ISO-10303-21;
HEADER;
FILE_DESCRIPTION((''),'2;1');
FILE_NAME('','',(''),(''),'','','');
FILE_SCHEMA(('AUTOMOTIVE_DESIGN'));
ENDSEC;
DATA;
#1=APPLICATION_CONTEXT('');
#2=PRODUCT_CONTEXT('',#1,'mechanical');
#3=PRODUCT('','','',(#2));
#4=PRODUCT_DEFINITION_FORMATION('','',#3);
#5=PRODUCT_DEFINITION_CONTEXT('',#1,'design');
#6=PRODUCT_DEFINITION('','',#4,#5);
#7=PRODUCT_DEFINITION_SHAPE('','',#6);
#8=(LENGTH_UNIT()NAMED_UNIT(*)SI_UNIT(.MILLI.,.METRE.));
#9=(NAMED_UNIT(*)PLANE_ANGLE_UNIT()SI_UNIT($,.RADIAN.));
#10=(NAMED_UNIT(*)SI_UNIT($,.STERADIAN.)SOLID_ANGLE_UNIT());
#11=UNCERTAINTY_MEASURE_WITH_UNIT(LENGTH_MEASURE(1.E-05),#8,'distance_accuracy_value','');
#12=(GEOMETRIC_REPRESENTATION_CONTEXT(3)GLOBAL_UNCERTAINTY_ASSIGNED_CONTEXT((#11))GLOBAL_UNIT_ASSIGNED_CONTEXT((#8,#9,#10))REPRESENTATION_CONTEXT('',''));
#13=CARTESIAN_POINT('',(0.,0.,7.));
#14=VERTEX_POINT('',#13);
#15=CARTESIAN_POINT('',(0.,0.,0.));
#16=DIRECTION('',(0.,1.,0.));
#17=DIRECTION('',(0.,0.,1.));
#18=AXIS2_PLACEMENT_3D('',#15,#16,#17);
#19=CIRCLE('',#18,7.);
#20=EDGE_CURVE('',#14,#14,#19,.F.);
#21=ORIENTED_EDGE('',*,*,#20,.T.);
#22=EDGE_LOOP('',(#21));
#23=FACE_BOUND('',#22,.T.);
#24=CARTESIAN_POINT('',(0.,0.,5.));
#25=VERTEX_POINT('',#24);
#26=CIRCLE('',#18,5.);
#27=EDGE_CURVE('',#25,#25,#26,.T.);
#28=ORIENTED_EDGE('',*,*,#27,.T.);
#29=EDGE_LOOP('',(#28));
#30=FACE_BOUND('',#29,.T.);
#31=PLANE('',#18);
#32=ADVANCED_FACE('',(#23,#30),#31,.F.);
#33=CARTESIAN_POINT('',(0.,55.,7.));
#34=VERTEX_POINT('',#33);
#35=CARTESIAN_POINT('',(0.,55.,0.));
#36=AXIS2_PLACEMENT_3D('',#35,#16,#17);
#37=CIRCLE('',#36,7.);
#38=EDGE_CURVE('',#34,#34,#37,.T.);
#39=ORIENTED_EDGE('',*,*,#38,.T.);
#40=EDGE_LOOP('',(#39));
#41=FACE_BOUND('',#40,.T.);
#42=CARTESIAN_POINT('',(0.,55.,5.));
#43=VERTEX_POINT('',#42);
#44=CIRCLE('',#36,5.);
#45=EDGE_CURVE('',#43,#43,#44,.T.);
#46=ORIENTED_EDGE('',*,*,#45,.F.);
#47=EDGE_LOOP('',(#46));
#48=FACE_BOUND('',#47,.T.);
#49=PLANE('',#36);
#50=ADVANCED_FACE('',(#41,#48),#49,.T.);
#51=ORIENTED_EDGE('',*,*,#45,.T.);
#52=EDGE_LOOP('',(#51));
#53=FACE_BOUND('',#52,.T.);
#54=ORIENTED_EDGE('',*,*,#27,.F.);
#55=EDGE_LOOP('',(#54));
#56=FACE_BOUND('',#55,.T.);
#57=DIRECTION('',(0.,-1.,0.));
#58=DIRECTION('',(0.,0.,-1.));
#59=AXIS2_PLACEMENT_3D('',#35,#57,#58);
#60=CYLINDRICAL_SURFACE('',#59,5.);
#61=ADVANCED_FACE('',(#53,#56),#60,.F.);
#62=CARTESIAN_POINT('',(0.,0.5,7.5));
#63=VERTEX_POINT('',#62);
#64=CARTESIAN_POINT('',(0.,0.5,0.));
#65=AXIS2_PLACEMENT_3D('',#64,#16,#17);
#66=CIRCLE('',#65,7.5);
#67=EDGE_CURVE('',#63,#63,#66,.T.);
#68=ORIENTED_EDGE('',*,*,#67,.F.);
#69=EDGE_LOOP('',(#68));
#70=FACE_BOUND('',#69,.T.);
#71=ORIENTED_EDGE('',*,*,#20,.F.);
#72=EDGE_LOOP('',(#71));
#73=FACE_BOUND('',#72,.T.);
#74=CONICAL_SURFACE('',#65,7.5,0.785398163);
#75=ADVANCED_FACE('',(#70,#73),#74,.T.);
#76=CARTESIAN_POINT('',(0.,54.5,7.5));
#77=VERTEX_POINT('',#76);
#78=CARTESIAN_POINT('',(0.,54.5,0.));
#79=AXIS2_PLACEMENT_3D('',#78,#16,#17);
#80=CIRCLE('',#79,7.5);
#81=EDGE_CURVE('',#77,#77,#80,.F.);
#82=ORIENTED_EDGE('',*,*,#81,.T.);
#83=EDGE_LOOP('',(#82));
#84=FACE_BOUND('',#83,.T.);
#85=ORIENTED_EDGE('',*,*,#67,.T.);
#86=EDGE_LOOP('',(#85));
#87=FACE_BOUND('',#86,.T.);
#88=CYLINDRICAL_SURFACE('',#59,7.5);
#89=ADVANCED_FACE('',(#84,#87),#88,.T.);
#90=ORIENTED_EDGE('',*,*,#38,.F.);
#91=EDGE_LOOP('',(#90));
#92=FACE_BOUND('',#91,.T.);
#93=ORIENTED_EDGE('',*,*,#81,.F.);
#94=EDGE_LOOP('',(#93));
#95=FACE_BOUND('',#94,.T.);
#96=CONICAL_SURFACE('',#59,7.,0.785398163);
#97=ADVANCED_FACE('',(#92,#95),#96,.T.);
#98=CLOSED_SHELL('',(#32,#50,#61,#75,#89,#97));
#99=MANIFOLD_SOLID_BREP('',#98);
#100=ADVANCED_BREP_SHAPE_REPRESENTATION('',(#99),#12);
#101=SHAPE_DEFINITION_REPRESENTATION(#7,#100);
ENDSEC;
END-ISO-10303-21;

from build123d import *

# Parameters (mm, degrees)
SKETCH1_R            = 7.5
SKETCH1_R_2          = 5
CORPO_15_55_DEPTH    = 55
CHANFROS_0_5_45_SIZE = 0.5


with BuildPart() as part:
    # Sketch1 → Corpo Ø15×55 (new body)
    with BuildSketch(Plane(origin=(0, 0, 0), x_dir=(1, 0, 0), z_dir=(0, 1, 0))):
        with Locations(Location((0, 0, 0), (0, 0, 270))):
            Circle(SKETCH1_R)
        with Locations(Location((0, 0, 0), (0, 0, 270))):
            Circle(SKETCH1_R_2, mode=Mode.SUBTRACT)
    extrude(amount=CORPO_15_55_DEPTH)

    # Chanfros 0.5×45°
    chanfros_0_5_45_edges = [part.edges().sort_by_distance(p)[0] for p in [
        (0, 0, -7.5),
        (0, 55, -7.5),
    ]]
    chamfer(chanfros_0_5_45_edges, length=CHANFROS_0_5_45_SIZE)


solid = part.part
